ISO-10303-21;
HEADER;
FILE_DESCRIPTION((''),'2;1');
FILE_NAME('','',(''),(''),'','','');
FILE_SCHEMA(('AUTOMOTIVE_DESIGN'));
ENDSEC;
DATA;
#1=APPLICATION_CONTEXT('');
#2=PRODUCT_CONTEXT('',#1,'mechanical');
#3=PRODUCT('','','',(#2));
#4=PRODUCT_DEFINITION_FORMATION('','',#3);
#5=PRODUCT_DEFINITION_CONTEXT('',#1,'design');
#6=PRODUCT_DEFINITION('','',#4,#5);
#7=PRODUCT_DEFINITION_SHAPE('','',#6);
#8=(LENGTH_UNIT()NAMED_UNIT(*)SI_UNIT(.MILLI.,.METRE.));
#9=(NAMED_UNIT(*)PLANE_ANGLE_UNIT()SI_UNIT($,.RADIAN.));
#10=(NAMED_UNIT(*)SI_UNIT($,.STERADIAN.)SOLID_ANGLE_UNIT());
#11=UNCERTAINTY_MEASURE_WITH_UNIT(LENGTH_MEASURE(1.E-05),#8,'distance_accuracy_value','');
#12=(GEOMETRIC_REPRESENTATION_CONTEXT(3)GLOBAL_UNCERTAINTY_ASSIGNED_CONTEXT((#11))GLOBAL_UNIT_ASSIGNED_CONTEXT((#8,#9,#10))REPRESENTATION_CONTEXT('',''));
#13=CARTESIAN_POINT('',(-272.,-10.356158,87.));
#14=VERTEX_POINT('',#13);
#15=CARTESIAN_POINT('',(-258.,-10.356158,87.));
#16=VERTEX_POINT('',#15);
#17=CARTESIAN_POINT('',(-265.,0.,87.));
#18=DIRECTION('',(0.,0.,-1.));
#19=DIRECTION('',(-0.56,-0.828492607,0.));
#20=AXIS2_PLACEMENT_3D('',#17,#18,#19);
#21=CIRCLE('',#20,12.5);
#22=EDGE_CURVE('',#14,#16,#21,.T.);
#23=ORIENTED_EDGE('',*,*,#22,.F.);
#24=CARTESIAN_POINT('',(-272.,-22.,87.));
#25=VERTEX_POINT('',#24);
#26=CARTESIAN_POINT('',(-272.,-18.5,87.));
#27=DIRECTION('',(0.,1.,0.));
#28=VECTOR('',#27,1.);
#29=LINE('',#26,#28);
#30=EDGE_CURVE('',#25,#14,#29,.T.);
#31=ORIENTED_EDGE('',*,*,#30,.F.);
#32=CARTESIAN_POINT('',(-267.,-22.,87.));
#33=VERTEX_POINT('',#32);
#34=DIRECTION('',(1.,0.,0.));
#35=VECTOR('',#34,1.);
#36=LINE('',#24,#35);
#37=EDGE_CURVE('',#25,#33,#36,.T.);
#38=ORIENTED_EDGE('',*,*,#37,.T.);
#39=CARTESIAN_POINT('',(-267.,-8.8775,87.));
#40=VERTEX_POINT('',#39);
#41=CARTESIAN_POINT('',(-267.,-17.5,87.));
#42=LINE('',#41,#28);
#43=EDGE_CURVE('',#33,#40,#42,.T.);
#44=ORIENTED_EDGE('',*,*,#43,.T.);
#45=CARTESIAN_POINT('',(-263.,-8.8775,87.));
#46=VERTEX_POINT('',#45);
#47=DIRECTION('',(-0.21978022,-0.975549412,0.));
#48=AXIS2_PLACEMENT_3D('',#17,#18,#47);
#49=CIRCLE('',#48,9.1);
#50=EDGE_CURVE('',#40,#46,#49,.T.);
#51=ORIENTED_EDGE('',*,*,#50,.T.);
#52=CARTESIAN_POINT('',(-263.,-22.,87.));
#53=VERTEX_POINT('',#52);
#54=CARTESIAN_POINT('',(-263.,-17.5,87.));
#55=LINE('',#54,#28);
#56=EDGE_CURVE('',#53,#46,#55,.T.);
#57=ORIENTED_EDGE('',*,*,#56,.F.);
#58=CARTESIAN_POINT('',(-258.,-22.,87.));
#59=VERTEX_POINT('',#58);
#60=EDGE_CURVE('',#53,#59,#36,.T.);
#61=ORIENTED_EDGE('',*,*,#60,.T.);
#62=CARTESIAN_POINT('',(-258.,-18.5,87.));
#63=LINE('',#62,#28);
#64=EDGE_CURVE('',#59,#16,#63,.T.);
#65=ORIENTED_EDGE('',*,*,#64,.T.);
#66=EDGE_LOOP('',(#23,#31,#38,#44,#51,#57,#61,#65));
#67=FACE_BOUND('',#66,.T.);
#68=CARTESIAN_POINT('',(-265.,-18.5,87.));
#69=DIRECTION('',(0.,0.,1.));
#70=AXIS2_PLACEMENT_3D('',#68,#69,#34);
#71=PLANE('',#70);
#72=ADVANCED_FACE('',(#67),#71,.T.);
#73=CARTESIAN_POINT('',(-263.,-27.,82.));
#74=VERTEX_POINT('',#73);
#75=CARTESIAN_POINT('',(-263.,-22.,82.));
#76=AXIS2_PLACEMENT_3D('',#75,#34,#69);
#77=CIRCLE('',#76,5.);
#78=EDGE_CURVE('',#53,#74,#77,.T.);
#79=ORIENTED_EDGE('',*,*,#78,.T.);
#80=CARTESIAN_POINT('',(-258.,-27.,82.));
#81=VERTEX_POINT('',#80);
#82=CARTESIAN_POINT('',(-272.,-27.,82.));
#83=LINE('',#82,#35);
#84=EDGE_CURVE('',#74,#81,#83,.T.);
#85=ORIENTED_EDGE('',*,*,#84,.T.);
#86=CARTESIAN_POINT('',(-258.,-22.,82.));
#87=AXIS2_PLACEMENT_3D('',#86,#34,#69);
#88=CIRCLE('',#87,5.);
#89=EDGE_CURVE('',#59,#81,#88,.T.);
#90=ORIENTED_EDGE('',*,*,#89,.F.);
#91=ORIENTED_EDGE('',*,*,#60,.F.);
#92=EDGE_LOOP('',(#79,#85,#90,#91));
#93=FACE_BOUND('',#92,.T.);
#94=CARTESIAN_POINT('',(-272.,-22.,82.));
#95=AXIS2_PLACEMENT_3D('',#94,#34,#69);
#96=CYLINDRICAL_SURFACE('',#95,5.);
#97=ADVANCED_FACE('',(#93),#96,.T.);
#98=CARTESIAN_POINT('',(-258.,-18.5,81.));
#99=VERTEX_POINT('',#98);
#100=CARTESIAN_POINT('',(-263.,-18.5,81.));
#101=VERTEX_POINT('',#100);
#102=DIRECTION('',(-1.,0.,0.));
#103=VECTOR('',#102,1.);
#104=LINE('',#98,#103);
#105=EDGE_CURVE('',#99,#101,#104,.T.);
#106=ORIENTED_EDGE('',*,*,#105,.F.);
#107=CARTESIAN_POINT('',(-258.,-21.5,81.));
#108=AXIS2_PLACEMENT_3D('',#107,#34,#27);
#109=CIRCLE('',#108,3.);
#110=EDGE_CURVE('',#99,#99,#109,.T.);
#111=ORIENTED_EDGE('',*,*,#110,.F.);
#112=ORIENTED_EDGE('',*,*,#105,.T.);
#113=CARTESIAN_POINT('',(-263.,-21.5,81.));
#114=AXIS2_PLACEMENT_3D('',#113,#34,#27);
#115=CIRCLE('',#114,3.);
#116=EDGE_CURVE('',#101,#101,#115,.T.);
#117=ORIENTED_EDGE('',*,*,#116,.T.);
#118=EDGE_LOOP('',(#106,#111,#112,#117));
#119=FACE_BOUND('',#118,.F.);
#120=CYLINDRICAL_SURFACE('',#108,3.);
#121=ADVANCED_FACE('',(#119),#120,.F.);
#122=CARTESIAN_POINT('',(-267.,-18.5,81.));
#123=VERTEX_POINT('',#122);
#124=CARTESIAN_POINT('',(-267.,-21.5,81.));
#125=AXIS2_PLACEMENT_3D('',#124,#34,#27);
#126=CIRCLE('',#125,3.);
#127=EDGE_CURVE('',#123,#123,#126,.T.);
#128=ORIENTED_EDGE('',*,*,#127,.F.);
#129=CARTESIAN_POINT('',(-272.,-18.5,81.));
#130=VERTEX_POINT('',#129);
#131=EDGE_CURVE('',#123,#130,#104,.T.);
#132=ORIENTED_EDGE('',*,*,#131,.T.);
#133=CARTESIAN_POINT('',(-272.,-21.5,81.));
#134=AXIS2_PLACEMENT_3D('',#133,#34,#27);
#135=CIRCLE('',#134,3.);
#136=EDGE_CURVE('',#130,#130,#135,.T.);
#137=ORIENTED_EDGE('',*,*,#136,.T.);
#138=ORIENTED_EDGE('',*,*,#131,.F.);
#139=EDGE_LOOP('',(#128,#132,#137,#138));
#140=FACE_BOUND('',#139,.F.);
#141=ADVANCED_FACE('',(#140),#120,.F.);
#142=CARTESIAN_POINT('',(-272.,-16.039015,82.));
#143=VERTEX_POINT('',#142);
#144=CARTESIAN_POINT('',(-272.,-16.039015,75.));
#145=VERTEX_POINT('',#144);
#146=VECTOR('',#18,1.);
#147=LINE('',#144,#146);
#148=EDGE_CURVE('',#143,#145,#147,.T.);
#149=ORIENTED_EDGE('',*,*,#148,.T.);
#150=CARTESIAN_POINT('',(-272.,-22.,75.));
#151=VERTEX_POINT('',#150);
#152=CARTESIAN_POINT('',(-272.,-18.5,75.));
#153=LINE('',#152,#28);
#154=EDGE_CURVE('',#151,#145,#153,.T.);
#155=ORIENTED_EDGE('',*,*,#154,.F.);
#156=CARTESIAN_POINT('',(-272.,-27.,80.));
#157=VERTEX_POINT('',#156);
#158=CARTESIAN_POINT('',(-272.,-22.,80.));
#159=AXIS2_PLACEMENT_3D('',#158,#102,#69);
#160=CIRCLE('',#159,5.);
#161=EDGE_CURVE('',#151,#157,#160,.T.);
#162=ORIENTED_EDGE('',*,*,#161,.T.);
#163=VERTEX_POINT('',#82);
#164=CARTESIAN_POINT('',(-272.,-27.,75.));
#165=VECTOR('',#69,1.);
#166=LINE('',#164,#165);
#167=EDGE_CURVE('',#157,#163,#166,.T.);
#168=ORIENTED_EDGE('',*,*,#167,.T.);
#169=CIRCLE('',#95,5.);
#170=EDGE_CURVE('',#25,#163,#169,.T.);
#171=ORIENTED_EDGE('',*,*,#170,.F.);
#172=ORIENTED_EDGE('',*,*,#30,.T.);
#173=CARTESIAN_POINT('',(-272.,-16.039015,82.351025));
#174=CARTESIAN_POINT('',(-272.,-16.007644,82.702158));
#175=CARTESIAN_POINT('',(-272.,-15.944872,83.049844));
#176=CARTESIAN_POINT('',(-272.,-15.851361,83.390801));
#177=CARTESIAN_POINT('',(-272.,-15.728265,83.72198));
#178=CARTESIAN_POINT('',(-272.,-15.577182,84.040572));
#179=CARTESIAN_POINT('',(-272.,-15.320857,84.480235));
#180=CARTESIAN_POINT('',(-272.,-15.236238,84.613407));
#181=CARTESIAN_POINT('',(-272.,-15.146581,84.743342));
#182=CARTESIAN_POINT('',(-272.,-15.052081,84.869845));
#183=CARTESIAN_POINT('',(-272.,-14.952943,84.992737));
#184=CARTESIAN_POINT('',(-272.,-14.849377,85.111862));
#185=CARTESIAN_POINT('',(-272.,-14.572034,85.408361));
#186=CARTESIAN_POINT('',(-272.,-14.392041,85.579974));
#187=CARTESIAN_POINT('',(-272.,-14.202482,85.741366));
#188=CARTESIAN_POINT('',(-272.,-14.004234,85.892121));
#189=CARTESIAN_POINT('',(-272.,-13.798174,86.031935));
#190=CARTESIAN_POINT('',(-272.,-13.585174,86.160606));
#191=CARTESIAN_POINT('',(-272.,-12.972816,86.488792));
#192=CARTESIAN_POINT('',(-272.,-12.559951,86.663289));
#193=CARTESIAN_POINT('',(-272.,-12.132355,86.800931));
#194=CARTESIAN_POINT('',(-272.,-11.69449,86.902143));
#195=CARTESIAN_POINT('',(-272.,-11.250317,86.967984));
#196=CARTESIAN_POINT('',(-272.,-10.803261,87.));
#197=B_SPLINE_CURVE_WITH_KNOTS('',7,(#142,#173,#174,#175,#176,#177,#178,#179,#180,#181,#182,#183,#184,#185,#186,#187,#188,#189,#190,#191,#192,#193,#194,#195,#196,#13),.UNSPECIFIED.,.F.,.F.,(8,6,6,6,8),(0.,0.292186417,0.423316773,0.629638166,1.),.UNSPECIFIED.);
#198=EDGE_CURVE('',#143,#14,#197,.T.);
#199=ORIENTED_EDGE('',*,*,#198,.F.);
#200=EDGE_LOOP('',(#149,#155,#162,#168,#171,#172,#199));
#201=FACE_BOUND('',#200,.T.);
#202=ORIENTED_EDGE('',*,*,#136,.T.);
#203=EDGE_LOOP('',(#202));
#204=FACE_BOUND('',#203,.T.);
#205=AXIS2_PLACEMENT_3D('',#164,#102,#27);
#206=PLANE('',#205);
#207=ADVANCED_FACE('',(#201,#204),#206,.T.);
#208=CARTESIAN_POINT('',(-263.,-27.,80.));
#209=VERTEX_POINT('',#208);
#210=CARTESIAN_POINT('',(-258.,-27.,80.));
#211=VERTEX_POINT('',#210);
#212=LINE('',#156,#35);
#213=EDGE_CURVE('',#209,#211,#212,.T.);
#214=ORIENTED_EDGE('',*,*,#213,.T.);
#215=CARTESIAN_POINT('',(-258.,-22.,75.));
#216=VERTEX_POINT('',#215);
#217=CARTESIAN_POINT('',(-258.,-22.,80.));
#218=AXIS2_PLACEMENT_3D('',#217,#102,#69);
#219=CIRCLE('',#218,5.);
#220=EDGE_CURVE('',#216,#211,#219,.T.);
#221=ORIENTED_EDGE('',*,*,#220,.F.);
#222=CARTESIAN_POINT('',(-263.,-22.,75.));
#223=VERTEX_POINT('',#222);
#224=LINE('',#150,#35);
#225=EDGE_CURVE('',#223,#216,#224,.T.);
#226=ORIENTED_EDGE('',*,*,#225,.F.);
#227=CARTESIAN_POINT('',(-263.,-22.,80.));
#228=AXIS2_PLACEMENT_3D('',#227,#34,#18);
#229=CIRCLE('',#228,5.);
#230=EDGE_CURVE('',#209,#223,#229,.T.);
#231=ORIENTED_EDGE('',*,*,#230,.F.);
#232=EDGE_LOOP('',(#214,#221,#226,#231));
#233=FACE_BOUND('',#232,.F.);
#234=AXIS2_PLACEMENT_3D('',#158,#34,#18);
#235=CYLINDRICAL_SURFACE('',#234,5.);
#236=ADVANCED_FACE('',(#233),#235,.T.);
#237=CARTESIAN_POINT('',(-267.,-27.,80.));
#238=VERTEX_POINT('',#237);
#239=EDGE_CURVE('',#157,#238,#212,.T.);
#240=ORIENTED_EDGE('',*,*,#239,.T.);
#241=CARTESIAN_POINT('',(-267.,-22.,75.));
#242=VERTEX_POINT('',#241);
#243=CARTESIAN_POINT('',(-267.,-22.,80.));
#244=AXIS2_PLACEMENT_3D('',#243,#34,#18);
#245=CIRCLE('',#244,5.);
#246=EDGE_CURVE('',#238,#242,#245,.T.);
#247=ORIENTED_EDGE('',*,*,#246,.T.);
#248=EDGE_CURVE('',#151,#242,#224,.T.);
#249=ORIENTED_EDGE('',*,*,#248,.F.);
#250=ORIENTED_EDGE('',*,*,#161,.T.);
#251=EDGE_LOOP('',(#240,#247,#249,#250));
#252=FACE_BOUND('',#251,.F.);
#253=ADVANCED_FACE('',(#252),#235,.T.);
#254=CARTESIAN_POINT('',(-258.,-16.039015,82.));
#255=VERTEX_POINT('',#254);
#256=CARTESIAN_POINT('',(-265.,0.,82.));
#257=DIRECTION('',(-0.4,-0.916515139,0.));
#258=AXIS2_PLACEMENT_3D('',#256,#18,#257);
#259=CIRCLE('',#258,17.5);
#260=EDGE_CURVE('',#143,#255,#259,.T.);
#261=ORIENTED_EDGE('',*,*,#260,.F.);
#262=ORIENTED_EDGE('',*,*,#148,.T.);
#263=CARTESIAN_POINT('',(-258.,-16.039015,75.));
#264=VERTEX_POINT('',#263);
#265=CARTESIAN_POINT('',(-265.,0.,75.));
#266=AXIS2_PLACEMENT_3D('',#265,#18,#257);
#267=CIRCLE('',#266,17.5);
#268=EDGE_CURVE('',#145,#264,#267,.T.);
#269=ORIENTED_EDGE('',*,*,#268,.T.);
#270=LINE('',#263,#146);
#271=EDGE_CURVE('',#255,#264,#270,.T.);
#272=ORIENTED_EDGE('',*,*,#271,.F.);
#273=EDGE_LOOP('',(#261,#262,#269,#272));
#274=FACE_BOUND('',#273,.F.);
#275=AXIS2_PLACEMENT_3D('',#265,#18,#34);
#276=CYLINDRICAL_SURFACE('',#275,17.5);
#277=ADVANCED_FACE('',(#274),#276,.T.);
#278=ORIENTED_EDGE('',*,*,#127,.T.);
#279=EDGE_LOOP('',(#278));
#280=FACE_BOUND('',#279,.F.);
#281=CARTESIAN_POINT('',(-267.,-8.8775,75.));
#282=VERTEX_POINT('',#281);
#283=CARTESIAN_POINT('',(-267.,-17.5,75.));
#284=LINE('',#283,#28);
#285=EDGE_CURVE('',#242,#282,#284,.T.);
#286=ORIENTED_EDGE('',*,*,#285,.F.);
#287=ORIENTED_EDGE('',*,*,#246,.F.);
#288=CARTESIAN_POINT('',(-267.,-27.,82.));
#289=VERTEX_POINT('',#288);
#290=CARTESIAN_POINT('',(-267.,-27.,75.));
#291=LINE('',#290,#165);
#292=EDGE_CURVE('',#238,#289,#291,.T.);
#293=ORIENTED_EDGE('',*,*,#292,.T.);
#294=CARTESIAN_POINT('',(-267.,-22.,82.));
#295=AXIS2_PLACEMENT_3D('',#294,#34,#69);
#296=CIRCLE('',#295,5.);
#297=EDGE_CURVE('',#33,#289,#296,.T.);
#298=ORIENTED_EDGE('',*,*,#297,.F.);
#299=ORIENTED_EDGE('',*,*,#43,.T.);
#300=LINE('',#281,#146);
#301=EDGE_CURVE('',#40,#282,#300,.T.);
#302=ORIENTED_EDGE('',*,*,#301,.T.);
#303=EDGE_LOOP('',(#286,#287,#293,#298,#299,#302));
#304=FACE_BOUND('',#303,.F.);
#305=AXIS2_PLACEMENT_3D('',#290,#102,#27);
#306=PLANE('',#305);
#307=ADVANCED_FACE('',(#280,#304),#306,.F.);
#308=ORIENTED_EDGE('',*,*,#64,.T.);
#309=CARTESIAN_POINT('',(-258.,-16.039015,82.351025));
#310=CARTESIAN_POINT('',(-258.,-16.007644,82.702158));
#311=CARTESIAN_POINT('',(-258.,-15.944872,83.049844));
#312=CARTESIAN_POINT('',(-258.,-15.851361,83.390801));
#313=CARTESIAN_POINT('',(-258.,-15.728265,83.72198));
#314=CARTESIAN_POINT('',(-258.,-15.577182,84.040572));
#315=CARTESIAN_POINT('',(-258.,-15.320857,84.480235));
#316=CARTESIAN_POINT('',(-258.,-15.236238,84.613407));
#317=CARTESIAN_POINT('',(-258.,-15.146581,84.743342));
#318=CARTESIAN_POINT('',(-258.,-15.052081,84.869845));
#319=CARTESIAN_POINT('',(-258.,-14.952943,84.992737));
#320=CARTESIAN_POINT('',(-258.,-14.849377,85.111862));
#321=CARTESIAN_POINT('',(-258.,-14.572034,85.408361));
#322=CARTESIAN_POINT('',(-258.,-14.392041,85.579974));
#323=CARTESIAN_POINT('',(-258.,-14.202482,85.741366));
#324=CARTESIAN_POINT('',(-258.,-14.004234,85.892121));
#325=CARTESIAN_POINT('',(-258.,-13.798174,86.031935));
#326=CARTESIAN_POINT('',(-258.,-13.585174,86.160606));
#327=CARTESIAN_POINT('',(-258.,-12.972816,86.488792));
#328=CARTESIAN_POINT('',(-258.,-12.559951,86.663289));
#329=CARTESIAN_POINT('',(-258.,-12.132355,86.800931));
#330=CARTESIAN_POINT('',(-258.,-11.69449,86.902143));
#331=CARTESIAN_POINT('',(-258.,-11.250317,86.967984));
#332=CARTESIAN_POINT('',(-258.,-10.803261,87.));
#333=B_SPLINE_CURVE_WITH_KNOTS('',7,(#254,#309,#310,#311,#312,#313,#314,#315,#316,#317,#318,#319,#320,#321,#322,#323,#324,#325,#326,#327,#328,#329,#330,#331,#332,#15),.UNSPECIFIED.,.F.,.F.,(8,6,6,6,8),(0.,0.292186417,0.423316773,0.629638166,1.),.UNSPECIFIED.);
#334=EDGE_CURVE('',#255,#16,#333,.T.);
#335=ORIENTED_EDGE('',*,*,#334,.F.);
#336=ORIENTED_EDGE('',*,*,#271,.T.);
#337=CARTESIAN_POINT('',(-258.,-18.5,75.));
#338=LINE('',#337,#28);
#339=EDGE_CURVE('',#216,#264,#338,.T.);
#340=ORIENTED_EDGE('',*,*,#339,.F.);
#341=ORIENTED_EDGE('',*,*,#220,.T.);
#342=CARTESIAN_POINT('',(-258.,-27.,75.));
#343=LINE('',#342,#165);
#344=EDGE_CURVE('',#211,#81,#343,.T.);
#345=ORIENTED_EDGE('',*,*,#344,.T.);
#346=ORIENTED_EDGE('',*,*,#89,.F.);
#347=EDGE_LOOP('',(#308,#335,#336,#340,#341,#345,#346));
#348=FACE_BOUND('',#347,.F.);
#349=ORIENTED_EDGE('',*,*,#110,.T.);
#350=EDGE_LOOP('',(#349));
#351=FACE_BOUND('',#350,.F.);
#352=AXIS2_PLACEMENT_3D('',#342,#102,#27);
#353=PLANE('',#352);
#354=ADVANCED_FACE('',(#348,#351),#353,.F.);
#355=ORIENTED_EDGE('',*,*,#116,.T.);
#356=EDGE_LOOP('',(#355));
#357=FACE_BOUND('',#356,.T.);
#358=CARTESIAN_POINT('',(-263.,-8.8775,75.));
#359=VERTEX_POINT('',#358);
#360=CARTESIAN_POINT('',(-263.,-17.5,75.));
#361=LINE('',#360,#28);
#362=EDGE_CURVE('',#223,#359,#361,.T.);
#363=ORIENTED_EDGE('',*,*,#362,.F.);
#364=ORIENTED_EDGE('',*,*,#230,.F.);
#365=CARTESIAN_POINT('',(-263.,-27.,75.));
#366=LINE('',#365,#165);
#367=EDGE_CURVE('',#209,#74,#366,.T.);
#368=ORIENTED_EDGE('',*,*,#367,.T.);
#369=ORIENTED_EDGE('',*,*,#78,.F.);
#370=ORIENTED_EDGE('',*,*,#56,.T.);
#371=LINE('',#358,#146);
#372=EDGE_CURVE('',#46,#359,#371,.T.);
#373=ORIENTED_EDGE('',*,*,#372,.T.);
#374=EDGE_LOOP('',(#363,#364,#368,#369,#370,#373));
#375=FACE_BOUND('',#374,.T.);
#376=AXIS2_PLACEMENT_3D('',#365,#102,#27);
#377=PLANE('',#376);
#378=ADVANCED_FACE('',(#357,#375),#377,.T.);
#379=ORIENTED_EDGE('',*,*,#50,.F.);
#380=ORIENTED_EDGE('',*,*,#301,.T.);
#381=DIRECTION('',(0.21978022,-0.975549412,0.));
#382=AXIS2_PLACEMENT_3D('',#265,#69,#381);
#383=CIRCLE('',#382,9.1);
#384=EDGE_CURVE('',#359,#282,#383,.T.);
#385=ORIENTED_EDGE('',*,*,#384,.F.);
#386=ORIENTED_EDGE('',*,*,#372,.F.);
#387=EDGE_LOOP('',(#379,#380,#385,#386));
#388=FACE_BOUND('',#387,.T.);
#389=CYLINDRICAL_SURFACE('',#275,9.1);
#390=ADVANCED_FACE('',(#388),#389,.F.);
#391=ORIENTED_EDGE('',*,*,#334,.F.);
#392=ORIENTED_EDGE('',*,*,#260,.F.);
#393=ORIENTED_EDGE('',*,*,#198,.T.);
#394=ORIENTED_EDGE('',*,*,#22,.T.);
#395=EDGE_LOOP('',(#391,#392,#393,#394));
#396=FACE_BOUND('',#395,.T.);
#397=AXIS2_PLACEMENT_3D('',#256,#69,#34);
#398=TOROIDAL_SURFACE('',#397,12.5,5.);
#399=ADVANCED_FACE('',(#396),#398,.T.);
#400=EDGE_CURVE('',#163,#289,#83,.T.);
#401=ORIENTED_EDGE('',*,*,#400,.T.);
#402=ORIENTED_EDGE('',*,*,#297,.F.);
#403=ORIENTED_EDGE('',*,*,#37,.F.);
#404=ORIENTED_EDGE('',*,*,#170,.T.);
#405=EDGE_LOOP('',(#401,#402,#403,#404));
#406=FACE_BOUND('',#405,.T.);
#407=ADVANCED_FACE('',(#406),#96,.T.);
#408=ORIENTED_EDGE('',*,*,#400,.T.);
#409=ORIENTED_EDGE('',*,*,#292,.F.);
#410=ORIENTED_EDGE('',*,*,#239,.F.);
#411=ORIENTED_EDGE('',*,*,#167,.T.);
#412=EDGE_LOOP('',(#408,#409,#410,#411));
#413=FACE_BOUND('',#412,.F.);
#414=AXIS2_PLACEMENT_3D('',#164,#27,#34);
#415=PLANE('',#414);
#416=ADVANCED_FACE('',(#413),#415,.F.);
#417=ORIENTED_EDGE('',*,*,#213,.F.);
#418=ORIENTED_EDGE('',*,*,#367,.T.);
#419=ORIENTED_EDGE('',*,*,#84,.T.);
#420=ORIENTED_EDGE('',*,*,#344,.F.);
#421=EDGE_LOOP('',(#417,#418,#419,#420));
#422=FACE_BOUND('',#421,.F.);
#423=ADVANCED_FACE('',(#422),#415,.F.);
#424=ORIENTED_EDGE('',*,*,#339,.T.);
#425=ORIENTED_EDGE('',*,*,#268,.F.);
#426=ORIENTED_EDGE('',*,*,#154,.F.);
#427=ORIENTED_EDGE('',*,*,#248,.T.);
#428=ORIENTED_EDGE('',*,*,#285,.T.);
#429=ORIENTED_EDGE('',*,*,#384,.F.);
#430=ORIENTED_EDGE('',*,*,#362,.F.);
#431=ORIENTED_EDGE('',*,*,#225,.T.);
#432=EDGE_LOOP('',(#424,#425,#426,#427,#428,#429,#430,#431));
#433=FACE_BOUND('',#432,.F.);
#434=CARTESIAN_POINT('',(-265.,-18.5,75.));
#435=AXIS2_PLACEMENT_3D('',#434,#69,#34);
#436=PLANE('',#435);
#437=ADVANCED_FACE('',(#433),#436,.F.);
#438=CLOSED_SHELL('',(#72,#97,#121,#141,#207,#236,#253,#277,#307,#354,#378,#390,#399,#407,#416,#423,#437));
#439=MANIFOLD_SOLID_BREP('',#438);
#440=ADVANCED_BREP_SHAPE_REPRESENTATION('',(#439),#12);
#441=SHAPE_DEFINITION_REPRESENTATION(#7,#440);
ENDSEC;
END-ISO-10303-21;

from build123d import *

# Parameters (mm, degrees)
CYLINDER001_R     = 17.5
CYLINDER001_DEPTH = 12
FILLET001_R       = 5
BOX003_W          = 14
BOX003_H          = 17
BOX003_DEPTH      = 12
CYLINDER002_R     = 9.1
CYLINDER002_DEPTH = 12
FILLET002_R       = 5
BOX004_W          = 4
BOX004_H          = 19
BOX004_DEPTH      = 12
SKETCH006_R       = 3
HOLE_DEPTH        = 25


with BuildPart() as part:
    # Cylinder001 → Cylinder001 (join)
    with BuildSketch(Plane.XY):
        Circle(CYLINDER001_R)
    extrude(amount=CYLINDER001_DEPTH)

    # Fillet001
    fillet001_edges = [part.edges().sort_by_distance(p)[0] for p in [
        (-17.5, 0, 12),
    ]]
    fillet(fillet001_edges, radius=FILLET001_R)

    # Box003 → Box003 (join)
    with BuildSketch(Plane(origin=(-7, -27, 0), x_dir=(1, 0, 0), z_dir=(0, 0, 1))):
        with Locations((7, 8.5)):
            Rectangle(BOX003_W, BOX003_H)
    extrude(amount=BOX003_DEPTH)

    # Cylinder002 → Cylinder002 (cut)
    with BuildSketch(Plane.XY):
        Circle(CYLINDER002_R)
    extrude(amount=CYLINDER002_DEPTH, mode=Mode.SUBTRACT)

    # Fillet002
    fillet002_edges = [part.edges().sort_by_distance(p)[0] for p in [
        (0, -27, 12),
        (0, -27, 0),
    ]]
    fillet(fillet002_edges, radius=FILLET002_R)

    # Box004 → Box004 (cut)
    with BuildSketch(Plane(origin=(-2, -27, 0), x_dir=(1, 0, 0), z_dir=(0, 0, 1))):
        with Locations((2, 9.5)):
            Rectangle(BOX004_W, BOX004_H)
    extrude(amount=BOX004_DEPTH, mode=Mode.SUBTRACT)

    # Sketch006 (on Face1 of Box004) → Hole (cut)
    with BuildSketch(Plane(origin=(7, -27, 0), x_dir=(0, 1, 0), z_dir=(1, 0, 0))):
        with Locations((5.5, 6)):
            Circle(SKETCH006_R)
    extrude(amount=-HOLE_DEPTH, mode=Mode.SUBTRACT)


with BuildPart() as part_1:
    # Body004 placement: moved
    add(part.part.moved(Location((-265, 0, 75))))


solid = part_1.part
